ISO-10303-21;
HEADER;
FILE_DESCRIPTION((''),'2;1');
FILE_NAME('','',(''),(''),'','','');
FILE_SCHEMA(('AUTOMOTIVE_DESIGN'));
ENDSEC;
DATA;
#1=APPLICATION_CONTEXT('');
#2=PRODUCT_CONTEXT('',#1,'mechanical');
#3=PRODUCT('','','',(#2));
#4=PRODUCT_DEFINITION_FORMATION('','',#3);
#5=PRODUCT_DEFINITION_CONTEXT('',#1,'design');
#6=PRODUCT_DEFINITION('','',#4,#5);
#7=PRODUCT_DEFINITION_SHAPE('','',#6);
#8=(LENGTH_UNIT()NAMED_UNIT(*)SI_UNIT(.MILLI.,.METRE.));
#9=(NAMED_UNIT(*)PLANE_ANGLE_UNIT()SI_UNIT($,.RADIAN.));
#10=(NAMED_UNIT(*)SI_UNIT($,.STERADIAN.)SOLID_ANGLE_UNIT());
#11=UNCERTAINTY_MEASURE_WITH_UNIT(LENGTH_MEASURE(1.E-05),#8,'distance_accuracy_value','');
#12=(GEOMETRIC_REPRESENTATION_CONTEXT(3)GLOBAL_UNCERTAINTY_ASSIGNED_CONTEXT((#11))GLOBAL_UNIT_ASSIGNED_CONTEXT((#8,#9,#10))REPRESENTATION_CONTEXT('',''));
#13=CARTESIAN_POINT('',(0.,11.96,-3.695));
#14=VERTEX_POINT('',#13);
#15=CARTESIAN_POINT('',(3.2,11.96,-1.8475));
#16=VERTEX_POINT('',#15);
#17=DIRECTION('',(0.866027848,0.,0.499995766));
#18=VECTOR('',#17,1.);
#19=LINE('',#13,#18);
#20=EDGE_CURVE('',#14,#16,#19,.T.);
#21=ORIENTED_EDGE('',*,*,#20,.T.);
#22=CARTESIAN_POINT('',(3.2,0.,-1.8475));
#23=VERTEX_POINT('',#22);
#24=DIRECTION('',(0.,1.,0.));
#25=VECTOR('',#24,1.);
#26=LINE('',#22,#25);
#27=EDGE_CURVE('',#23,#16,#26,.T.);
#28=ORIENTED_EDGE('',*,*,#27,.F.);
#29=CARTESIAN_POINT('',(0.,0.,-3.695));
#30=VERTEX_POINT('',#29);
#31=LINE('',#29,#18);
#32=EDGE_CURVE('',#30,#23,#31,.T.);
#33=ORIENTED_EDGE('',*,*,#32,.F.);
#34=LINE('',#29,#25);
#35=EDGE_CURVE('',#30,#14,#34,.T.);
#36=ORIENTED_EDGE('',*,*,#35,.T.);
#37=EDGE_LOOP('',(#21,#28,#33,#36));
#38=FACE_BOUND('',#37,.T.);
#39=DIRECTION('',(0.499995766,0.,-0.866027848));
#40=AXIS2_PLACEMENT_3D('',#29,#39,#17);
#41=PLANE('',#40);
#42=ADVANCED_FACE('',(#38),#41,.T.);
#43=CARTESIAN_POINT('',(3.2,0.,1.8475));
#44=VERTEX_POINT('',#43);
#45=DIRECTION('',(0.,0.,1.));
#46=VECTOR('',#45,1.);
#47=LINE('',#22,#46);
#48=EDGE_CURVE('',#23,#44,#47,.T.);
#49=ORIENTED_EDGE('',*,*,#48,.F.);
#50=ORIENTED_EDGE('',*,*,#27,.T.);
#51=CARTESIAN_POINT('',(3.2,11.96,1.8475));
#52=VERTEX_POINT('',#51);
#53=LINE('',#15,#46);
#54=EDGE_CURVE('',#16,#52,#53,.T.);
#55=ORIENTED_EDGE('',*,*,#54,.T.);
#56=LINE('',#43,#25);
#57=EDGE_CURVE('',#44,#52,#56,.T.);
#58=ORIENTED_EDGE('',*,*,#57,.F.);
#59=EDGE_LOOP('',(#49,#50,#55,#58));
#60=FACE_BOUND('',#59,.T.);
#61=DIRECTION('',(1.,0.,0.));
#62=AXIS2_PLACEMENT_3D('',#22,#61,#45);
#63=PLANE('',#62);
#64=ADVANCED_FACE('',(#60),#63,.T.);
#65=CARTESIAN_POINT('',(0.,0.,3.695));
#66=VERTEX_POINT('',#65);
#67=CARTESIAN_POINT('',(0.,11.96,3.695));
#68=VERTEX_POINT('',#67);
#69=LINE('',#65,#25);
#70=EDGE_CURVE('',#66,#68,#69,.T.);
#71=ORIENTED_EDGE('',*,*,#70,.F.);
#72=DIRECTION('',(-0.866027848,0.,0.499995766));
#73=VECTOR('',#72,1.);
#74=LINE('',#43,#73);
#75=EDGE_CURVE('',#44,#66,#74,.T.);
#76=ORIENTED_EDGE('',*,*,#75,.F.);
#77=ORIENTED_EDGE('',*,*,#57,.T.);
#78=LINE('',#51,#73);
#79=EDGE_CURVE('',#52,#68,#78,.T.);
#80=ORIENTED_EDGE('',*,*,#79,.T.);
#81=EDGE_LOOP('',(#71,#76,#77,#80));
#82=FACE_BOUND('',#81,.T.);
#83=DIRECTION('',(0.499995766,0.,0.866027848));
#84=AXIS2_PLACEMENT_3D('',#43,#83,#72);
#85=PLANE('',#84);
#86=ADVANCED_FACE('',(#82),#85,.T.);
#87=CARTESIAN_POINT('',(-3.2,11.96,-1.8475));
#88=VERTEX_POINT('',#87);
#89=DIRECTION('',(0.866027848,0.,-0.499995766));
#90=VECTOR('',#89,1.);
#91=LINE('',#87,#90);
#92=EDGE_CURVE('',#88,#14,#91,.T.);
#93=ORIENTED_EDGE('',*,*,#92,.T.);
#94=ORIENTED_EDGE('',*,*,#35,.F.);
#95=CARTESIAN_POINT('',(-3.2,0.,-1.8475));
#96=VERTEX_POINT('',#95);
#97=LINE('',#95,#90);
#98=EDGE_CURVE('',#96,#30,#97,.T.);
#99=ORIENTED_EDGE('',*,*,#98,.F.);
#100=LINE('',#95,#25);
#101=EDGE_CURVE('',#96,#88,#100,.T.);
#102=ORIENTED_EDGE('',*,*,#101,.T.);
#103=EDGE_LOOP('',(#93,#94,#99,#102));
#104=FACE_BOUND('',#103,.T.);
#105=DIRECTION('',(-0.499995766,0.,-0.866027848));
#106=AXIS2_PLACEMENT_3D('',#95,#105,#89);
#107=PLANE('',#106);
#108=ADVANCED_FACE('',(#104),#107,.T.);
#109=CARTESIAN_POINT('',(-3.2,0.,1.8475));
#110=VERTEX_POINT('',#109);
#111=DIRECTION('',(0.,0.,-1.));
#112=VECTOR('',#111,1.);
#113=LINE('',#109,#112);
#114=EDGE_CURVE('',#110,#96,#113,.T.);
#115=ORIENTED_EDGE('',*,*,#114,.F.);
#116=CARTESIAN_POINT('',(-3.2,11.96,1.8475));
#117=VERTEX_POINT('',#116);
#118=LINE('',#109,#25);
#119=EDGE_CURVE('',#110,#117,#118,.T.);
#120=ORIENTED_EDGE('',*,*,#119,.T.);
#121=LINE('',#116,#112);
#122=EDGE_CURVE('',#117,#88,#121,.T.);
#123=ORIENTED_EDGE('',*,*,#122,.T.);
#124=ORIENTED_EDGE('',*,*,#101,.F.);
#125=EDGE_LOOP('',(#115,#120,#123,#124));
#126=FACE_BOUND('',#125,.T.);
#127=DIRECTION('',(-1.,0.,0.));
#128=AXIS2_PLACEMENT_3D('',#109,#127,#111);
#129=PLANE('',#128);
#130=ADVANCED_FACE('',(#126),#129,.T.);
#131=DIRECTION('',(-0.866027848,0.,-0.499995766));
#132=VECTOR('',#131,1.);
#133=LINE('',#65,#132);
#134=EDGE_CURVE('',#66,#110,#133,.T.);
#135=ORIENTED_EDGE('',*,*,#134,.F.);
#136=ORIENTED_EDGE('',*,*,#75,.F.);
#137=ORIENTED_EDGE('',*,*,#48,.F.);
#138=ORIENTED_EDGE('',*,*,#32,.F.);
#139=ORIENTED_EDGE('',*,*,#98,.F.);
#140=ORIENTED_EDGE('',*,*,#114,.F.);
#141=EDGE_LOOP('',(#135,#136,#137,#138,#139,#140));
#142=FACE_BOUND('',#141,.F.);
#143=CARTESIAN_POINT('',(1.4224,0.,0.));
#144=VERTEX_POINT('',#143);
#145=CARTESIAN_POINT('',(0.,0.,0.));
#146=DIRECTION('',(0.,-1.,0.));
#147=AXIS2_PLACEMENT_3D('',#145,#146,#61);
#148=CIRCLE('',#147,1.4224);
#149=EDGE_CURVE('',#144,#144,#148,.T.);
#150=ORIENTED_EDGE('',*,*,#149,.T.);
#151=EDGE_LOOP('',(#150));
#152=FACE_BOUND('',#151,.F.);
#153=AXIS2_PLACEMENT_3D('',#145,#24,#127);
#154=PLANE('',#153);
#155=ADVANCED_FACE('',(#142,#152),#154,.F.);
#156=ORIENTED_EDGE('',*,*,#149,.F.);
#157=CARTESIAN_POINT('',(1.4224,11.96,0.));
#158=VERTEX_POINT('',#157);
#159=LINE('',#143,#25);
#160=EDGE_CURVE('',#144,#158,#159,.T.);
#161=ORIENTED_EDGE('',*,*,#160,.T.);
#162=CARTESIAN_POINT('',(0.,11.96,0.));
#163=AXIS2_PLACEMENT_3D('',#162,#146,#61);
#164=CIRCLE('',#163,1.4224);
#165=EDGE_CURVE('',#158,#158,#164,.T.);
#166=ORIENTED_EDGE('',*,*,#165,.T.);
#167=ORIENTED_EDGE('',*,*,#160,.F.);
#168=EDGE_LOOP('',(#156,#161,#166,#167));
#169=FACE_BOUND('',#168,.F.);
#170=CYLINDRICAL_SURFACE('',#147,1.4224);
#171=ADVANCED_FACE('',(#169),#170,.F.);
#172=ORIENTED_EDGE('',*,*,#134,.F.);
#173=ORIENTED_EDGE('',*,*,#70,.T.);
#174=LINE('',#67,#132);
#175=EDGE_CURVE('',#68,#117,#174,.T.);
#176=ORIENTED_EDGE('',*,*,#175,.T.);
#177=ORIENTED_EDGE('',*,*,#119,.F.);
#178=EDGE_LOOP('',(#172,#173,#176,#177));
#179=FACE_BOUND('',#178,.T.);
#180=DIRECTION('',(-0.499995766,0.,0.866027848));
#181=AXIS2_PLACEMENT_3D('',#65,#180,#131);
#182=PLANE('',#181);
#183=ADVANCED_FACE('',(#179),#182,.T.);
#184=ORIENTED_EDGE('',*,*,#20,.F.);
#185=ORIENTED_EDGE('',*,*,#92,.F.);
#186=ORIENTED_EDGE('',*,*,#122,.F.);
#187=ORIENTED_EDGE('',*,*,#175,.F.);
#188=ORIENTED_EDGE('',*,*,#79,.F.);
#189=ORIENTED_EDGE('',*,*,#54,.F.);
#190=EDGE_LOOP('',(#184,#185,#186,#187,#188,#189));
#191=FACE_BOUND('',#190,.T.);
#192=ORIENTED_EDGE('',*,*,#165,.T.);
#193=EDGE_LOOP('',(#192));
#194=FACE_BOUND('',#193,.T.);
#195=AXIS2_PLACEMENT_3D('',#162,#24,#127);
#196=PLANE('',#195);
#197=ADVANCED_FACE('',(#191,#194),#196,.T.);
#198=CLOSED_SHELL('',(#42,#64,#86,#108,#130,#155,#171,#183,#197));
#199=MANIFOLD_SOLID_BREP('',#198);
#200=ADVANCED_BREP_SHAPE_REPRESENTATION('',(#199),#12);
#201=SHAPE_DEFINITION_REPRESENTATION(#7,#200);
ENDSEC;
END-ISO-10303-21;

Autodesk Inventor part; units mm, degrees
ref_plane "YZ Plane" through (0, 0, 0) normal (1, 0, 0) x (0, 1, 0)
ref_plane "XZ Plane" through (0, 0, 0) normal (0, 1, 0) x (-1, 0, 0)
ref_plane "XY Plane" through (0, 0, 0) normal (0, 0, 1) x (1, 0, 0)
sketch "Sketch1" plane through (0, 0, 0) normal (0, 1, 0) x (-1, 0, 0)
  line L0 (3.2, 1.8475) -> (3.2, -1.8475)
  line L1 (3.2, -1.8475) -> (0, -3.695)
  line L2 (0, -3.695) -> (-3.2, -1.8475)
  line L3 (-3.2, -1.8475) -> (-3.2, 1.8475)
  line L4 (-3.2, 1.8475) -> (0, 3.695)
  line L5 (0, 3.695) -> (3.2, 1.8475)
  point P0 (0, 0)
  point P1 (3.2, 0)
  point P2 (-3.2, 0)
  dimension "d0" = 6.4
  dimension "d1" = 120
  dimension "d2" = 6.4
extrude "Extrusion1" add sketch "Sketch1" along normal blind 11.96
sketch "Sketch3" plane through (0, 0, 0) normal (0, -1, 0) x (1, 0, 0)
  circle A0 centre (0, 0) radius 1.4224
  dimension "d8" = 2.8448
extrude "Extrusion3" cut sketch "Sketch3" against normal through all
properties part number "pc104standoffTEMP2" material "Stainless Steel"
